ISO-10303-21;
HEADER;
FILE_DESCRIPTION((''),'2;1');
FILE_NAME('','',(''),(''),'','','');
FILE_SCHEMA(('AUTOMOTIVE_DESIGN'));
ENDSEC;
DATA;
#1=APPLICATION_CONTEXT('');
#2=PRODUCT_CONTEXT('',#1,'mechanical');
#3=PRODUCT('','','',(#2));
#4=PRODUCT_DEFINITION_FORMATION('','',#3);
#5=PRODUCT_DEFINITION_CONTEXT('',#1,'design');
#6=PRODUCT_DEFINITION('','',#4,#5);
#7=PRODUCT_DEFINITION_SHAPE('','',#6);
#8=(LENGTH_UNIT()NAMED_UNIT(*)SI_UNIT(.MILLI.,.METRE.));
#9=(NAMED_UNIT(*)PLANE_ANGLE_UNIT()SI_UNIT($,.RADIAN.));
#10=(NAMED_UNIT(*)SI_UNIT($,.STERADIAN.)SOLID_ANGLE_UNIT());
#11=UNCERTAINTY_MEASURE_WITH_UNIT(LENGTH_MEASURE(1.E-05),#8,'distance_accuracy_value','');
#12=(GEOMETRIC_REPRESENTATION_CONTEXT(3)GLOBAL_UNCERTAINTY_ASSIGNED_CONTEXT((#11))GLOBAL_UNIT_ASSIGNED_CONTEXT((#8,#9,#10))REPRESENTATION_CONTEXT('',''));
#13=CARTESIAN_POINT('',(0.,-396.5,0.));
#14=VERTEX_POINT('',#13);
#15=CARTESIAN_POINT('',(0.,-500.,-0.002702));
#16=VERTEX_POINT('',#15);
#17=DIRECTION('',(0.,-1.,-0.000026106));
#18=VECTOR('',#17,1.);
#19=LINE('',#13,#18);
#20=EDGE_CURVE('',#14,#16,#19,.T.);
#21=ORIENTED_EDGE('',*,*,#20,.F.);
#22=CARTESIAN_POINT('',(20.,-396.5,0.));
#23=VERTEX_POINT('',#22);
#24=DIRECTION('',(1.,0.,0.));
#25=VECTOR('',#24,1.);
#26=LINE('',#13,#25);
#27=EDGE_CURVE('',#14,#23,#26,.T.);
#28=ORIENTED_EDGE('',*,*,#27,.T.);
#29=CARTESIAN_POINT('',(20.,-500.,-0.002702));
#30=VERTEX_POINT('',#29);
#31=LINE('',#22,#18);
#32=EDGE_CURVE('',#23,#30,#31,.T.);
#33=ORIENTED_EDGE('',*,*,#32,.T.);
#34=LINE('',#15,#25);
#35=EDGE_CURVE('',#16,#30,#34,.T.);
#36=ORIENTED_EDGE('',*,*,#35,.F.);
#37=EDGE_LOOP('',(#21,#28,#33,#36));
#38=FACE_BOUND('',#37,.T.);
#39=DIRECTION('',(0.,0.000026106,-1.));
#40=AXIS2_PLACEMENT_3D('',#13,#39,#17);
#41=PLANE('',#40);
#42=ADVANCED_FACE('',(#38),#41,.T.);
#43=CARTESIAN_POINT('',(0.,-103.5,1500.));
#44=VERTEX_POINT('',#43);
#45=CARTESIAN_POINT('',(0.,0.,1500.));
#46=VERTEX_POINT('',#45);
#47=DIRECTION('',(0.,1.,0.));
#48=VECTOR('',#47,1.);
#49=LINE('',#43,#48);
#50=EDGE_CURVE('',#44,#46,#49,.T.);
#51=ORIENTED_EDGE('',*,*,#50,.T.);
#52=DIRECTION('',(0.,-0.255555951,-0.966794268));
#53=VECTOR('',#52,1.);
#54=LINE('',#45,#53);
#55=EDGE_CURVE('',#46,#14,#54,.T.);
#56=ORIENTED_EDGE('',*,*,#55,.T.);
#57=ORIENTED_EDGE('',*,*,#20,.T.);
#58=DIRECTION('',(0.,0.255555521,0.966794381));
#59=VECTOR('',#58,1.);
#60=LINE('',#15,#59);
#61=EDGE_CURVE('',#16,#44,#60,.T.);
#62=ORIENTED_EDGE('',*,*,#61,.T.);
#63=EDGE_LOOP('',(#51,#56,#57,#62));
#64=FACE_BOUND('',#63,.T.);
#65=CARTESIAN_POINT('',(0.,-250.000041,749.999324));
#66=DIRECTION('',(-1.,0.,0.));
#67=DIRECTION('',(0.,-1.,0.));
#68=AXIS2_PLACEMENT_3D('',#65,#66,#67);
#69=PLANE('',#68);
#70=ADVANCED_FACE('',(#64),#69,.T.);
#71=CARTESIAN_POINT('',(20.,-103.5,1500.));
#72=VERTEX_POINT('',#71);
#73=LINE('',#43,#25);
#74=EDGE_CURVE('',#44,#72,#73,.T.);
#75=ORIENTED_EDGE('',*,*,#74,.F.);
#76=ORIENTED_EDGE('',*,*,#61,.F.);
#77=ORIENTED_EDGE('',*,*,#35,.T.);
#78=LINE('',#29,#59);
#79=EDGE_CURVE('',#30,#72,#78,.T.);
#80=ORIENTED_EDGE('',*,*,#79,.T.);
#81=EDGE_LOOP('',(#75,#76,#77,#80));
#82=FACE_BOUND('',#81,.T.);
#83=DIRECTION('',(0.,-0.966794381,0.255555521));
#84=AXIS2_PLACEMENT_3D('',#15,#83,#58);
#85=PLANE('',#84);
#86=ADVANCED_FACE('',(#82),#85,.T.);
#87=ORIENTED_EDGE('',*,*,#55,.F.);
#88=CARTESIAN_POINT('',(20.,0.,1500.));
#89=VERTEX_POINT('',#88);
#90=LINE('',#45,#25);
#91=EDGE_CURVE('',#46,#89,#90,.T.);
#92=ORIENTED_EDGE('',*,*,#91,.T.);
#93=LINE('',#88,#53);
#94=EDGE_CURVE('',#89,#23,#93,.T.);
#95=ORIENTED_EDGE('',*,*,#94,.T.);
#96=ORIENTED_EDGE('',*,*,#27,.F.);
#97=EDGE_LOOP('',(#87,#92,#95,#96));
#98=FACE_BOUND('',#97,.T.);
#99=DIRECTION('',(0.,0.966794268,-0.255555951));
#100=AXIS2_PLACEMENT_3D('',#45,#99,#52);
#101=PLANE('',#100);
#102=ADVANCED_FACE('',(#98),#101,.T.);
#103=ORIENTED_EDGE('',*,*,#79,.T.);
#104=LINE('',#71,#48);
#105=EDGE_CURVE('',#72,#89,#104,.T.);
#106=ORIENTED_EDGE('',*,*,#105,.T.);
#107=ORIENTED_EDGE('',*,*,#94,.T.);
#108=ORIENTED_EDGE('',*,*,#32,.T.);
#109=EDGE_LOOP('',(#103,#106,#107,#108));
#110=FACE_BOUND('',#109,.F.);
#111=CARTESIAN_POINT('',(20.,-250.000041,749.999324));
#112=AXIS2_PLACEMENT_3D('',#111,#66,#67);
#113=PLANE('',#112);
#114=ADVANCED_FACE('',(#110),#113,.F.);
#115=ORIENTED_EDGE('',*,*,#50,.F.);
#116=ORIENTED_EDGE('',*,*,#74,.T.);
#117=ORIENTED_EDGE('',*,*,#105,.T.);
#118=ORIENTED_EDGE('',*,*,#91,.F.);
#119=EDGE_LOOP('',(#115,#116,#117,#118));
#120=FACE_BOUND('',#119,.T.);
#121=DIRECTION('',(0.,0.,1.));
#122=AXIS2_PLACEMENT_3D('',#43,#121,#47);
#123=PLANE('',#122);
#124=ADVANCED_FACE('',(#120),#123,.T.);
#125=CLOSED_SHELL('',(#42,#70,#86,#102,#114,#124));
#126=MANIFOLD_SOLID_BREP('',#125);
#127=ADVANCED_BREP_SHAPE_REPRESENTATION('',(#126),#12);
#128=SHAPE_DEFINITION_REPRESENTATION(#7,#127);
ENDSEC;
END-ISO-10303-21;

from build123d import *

# Parameters (mm, degrees)
PAD_DEPTH = 20


with BuildPart() as part:
    # Sketch → Pad (new body)
    with BuildSketch(Plane.YZ):
        Polygon((-103.5, 1500), (0, 1500), (-396.5, 0), (-500, -0.002702), align=None)
    extrude(amount=PAD_DEPTH)


solid = part.part
